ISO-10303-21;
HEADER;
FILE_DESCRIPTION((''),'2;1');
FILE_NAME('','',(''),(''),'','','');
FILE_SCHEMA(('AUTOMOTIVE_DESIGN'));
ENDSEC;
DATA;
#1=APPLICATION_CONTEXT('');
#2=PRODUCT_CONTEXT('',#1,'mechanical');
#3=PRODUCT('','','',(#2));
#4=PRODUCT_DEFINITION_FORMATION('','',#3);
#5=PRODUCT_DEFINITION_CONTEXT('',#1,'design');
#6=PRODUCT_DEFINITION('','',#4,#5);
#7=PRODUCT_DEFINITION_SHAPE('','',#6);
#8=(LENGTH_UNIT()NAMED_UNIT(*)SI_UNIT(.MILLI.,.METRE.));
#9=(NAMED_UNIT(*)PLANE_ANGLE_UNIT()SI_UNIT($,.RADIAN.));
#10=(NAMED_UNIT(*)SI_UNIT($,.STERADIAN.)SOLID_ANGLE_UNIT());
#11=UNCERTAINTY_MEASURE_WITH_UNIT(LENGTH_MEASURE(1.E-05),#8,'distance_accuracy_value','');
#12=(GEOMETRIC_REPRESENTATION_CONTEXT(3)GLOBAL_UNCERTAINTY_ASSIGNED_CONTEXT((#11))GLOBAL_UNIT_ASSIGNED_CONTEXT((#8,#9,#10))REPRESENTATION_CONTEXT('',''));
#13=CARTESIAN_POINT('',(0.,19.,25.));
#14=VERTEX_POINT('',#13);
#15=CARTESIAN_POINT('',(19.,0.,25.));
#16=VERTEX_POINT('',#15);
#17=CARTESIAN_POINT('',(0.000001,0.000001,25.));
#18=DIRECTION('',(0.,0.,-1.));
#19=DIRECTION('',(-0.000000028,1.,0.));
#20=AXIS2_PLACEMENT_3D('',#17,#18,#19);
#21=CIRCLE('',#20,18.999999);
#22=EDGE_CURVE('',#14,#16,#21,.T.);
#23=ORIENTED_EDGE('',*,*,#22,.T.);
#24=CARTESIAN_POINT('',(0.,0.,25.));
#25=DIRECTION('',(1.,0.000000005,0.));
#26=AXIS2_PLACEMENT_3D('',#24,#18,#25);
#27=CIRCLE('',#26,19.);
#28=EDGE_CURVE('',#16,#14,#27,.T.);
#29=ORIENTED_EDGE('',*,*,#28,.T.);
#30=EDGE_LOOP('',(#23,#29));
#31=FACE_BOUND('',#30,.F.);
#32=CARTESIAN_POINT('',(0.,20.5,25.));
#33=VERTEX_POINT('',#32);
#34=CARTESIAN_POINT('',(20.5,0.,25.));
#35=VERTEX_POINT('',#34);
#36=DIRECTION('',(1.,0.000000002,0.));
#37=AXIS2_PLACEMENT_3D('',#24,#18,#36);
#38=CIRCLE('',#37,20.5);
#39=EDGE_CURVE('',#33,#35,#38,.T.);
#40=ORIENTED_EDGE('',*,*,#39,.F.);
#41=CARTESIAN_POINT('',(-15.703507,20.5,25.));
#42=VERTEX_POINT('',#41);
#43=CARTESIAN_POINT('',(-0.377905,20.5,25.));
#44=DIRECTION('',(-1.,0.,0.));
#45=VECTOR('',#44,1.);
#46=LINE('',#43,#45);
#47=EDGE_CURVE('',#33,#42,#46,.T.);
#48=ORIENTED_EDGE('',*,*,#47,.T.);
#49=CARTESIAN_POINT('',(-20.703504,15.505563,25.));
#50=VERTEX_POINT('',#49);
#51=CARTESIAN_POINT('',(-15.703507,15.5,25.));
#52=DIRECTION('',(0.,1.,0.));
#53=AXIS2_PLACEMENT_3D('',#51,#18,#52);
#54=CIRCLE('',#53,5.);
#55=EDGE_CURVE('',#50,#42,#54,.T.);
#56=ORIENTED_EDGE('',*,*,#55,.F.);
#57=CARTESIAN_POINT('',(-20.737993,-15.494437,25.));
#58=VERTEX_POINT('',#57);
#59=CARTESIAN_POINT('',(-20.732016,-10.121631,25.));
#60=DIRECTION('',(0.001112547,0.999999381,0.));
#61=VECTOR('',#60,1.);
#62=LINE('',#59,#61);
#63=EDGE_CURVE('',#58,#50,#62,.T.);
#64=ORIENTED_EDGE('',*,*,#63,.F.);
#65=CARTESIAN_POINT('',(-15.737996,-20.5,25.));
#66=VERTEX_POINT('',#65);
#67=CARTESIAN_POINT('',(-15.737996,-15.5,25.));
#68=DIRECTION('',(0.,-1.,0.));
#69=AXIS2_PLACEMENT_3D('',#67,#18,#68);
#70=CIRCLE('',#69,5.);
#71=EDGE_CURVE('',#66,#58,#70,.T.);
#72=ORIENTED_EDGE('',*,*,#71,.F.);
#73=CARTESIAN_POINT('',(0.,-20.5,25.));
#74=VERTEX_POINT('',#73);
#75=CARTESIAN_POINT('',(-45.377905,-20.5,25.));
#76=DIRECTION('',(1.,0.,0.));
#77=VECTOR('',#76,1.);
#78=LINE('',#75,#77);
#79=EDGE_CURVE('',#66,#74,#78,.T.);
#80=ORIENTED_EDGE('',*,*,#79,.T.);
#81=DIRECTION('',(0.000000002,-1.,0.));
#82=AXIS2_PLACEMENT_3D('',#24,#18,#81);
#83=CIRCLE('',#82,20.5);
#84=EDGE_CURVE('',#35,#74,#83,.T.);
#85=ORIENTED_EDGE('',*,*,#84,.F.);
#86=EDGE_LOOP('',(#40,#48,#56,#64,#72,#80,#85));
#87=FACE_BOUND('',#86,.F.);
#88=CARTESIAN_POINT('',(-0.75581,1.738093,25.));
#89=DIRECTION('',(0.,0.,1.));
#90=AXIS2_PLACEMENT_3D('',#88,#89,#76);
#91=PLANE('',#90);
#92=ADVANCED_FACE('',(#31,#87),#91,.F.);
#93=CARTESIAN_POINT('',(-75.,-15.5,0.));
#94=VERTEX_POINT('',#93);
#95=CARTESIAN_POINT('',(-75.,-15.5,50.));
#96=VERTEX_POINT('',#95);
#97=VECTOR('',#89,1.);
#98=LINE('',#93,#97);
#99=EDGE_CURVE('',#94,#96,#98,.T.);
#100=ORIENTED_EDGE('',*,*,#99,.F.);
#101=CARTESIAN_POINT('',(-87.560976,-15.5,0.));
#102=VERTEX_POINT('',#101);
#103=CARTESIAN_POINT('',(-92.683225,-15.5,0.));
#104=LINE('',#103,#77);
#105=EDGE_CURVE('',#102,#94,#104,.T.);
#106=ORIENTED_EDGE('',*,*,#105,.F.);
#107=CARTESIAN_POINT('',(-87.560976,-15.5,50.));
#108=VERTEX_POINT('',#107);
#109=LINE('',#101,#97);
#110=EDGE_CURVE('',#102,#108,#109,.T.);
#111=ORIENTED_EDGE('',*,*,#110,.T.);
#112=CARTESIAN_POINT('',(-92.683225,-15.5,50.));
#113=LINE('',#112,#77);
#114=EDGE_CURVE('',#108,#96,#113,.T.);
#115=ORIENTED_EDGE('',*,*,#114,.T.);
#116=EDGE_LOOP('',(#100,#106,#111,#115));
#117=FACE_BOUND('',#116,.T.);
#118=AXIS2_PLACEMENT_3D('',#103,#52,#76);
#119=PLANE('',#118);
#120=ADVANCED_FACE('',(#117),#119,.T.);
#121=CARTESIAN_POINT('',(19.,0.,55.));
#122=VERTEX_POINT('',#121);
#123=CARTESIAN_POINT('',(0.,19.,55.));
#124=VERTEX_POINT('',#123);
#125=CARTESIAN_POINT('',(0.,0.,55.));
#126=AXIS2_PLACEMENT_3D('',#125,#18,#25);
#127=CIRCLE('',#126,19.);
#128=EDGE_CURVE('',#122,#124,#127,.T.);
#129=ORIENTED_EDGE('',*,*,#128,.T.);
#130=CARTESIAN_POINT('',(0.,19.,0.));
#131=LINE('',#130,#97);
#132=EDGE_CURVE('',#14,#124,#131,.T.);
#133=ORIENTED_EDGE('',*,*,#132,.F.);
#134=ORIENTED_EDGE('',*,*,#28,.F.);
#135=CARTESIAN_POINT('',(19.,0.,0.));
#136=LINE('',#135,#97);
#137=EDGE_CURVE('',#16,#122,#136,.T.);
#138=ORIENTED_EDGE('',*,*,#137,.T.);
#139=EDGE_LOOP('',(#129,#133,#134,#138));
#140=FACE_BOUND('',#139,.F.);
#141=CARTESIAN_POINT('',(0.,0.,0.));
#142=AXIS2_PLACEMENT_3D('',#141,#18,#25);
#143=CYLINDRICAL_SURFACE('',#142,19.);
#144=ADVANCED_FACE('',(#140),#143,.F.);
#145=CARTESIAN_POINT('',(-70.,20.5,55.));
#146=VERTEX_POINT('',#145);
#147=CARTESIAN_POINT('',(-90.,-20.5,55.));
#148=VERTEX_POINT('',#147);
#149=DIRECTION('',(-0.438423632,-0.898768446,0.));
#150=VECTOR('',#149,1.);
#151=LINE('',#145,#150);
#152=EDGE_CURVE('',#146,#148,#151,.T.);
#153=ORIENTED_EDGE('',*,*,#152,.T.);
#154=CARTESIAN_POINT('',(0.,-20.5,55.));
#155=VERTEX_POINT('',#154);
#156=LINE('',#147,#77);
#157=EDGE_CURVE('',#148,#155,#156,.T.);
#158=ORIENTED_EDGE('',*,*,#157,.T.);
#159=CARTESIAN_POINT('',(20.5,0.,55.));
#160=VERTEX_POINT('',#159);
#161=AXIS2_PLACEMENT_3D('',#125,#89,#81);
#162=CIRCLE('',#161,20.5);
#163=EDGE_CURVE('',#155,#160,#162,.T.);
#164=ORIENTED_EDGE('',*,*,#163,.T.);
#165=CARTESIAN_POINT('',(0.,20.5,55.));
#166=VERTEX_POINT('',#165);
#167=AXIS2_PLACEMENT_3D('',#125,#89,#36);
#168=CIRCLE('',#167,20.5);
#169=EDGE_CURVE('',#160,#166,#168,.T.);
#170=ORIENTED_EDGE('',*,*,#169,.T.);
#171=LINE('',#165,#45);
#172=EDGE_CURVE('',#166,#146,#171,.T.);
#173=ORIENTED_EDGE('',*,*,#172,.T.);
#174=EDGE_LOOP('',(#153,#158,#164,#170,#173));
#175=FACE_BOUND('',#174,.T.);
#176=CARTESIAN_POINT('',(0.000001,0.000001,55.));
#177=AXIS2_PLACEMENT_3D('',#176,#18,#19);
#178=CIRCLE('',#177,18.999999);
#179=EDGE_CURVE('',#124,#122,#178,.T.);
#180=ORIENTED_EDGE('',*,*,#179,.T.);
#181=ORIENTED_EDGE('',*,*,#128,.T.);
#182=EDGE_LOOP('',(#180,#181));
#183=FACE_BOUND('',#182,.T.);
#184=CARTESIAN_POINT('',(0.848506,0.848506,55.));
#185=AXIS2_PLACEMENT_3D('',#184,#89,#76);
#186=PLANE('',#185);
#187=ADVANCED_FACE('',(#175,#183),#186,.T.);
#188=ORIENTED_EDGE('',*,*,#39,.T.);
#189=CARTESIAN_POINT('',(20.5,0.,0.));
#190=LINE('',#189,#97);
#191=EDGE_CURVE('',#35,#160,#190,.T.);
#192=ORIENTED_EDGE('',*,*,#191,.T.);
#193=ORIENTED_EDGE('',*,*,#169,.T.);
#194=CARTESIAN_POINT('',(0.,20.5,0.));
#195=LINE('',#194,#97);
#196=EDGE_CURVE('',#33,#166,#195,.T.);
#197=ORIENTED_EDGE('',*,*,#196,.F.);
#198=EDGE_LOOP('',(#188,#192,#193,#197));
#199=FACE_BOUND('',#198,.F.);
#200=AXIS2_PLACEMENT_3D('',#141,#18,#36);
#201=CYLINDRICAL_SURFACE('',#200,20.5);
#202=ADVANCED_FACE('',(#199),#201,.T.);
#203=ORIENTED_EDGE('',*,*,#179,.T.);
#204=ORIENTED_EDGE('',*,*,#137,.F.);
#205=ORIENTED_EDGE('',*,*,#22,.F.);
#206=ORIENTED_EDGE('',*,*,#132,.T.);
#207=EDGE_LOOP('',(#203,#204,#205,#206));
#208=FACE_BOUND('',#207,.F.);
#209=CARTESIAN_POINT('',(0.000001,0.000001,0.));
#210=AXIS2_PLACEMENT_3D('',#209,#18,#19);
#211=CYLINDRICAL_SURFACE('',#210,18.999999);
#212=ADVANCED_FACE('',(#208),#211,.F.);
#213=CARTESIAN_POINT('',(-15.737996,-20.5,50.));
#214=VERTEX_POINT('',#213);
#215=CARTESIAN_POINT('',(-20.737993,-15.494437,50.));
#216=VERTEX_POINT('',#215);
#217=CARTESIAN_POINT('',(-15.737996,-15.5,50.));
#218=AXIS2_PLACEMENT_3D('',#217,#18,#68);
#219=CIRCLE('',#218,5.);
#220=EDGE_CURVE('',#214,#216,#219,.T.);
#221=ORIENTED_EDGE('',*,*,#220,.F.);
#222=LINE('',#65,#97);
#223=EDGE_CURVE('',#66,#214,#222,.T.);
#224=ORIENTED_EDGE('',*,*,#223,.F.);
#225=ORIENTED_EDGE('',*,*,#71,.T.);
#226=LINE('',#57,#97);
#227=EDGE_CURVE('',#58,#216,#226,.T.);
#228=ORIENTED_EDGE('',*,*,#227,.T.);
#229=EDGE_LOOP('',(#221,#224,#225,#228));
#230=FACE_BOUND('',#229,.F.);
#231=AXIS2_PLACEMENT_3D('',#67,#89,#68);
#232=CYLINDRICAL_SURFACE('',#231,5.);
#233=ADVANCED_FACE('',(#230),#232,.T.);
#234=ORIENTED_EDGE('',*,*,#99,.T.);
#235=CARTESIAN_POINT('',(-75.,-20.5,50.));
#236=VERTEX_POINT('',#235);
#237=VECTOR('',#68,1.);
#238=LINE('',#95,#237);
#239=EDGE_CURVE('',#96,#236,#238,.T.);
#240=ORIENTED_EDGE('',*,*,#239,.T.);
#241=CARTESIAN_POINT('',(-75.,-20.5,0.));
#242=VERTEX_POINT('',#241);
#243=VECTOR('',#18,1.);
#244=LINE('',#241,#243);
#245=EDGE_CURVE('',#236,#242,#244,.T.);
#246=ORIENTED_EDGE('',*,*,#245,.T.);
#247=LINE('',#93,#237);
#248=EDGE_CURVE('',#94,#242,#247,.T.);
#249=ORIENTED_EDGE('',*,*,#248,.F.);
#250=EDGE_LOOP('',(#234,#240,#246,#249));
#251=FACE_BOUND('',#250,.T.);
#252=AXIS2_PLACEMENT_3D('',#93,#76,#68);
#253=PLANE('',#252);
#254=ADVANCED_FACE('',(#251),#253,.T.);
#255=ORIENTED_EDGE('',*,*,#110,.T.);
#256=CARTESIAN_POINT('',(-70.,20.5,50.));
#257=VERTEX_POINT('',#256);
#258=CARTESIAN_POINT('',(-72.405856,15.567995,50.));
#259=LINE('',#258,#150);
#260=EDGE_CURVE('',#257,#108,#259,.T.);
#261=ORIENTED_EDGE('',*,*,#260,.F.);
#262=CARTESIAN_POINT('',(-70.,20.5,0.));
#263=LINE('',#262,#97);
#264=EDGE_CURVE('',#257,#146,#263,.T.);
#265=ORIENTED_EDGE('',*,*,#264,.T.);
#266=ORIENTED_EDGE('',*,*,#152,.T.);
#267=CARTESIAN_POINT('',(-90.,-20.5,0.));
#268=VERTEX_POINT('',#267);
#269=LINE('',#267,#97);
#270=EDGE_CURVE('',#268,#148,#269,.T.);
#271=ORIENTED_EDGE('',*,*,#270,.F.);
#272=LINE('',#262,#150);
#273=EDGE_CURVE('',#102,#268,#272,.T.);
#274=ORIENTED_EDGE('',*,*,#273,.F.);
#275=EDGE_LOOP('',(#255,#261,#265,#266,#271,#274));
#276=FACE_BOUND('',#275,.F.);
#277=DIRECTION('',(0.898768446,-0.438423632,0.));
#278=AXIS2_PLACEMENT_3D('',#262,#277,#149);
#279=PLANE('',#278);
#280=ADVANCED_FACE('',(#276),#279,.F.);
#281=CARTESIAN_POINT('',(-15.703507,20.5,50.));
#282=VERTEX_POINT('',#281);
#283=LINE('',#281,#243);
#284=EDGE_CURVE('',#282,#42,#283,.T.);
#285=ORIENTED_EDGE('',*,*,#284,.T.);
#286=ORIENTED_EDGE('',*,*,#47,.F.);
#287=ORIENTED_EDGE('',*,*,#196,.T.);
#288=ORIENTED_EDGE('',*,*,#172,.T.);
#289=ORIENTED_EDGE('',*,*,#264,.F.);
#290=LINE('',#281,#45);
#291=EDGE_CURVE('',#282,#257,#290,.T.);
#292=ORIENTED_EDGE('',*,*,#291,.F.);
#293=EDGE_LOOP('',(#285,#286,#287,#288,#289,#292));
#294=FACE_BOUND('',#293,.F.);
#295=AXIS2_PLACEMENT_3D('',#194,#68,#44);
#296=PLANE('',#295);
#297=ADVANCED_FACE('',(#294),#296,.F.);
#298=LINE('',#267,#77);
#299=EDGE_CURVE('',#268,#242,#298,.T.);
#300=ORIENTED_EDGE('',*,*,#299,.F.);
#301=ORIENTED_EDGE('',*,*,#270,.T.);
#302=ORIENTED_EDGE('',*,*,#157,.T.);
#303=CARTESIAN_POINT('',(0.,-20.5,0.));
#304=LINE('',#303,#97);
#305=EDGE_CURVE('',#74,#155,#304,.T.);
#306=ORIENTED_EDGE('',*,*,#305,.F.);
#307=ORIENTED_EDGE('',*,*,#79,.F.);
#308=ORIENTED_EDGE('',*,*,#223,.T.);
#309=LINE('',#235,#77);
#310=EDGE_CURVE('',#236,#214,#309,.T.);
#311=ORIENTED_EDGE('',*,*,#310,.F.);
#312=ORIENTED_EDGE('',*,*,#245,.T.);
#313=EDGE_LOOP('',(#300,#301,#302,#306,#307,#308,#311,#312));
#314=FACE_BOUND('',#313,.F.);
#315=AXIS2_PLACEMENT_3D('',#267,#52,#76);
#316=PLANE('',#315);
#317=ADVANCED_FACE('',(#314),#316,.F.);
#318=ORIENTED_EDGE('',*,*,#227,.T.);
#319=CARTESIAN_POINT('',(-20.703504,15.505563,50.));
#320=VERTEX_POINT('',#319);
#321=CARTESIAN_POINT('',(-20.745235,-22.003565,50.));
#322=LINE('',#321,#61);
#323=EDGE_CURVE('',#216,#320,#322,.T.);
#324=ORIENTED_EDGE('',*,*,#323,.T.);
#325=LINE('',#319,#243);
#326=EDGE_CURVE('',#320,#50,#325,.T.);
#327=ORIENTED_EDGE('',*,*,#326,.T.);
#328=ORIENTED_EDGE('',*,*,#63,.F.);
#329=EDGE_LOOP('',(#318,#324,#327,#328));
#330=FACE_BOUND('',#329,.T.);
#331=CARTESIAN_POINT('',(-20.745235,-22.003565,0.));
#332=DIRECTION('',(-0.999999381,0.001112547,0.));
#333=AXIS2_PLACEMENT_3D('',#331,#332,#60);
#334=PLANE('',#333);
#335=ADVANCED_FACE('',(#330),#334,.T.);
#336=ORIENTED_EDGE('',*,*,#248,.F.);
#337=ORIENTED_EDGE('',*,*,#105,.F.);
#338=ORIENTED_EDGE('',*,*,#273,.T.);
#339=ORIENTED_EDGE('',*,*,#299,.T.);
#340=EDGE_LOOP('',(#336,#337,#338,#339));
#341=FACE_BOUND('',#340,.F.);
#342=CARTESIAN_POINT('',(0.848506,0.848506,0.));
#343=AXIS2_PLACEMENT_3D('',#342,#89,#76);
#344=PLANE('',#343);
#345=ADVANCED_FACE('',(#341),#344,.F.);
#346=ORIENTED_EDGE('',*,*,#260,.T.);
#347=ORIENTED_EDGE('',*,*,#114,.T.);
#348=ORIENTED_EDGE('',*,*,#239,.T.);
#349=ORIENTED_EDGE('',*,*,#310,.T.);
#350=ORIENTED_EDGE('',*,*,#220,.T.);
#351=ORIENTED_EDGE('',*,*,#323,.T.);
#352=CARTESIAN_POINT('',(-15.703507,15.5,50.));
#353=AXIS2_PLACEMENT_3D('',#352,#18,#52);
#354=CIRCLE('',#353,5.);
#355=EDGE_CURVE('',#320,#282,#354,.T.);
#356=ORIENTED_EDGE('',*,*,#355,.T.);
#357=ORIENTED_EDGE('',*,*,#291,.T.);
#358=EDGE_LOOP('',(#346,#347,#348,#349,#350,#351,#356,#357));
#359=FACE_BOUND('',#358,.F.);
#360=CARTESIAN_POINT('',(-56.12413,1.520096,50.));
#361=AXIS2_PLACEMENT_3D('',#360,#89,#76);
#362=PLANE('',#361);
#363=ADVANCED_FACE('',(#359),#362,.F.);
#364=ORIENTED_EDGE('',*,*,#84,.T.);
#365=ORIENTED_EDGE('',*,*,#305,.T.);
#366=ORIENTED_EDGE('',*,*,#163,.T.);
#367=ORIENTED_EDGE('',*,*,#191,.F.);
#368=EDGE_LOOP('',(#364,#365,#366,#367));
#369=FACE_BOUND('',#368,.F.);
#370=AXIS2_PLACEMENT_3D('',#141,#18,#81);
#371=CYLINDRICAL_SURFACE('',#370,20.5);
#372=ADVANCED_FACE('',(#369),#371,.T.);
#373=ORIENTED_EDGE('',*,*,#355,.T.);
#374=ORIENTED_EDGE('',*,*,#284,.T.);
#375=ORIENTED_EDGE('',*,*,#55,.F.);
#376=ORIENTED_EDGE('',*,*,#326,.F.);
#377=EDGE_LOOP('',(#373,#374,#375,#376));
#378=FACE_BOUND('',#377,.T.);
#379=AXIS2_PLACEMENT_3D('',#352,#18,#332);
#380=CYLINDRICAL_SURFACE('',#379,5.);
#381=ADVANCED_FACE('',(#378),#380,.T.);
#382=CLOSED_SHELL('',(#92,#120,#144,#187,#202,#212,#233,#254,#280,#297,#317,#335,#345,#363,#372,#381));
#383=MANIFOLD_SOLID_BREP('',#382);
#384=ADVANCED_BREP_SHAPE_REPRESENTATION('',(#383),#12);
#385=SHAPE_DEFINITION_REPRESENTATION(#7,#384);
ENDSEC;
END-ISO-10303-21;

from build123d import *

# Parameters (mm, degrees)
F1_DEPTH = 55
F3_DEPTH = 50
F4_W     = 46.665443
F4_H     = 57.836632
F5_DEPTH = 25
F6_R     = 5


with BuildPart() as f1:
    # F0 (on Top) → F1 (new body)
    with BuildSketch(Plane.XY):
        with BuildLine():
            ThreePointArc((19, 0), (13.435029, 13.435029), (0, 19))
            ThreePointArc((0, 19), (-13.435029, -13.435029), (19, 0))
        make_face()
        with BuildLine():
            ThreePointArc((0, -20.5), (14.495689, -14.495689), (20.5, 0))
            ThreePointArc((20.5, 0), (14.495689, 14.495689), (0, 20.5))
            ThreePointArc((0, 20.5), (-20.5, 0), (0, -20.5))
        make_face()
        with BuildLine():
            ThreePointArc((19, 0), (-13.435029, -13.435029), (0, 19))
            ThreePointArc((0, 19), (13.435029, 13.435029), (19, 0))
        make_face(mode=Mode.SUBTRACT)
        with BuildLine():
            ThreePointArc((0, -20.5), (-20.5, 0), (0, 20.5))
            Line((0, 20.5), (-70, 20.5))
            Line((-70, 20.5), (-90, -20.5))
            Line((-90, -20.5), (0, -20.5))
        make_face()
    extrude(amount=F1_DEPTH)

    # F2 (on face) → F3 (cut)
    with BuildSketch(Plane.XY):
        Polygon((-20.693906, 24.132871), (-92.302133, 24.132871), (-92.683225, -15.5), (-75, -15.5), (-75, -22.003565), (-20.745235, -22.003565), align=None)
    extrude(amount=F3_DEPTH, mode=Mode.SUBTRACT)

    # F4 (on face) → F5 (cut)
    with BuildSketch(Plane.XY):
        with Locations((-0.75581, 1.738093)):
            Rectangle(F4_W, F4_H)
    extrude(amount=F5_DEPTH, mode=Mode.SUBTRACT)

    # F6
    f6_edges = [f1.edges().sort_by_distance(p)[0] for p in [
        (-20.697947, 20.5, 37.5),
        (-20.743562, -20.5, 37.5),
    ]]
    fillet(f6_edges, radius=F6_R)


solid = f1.part
